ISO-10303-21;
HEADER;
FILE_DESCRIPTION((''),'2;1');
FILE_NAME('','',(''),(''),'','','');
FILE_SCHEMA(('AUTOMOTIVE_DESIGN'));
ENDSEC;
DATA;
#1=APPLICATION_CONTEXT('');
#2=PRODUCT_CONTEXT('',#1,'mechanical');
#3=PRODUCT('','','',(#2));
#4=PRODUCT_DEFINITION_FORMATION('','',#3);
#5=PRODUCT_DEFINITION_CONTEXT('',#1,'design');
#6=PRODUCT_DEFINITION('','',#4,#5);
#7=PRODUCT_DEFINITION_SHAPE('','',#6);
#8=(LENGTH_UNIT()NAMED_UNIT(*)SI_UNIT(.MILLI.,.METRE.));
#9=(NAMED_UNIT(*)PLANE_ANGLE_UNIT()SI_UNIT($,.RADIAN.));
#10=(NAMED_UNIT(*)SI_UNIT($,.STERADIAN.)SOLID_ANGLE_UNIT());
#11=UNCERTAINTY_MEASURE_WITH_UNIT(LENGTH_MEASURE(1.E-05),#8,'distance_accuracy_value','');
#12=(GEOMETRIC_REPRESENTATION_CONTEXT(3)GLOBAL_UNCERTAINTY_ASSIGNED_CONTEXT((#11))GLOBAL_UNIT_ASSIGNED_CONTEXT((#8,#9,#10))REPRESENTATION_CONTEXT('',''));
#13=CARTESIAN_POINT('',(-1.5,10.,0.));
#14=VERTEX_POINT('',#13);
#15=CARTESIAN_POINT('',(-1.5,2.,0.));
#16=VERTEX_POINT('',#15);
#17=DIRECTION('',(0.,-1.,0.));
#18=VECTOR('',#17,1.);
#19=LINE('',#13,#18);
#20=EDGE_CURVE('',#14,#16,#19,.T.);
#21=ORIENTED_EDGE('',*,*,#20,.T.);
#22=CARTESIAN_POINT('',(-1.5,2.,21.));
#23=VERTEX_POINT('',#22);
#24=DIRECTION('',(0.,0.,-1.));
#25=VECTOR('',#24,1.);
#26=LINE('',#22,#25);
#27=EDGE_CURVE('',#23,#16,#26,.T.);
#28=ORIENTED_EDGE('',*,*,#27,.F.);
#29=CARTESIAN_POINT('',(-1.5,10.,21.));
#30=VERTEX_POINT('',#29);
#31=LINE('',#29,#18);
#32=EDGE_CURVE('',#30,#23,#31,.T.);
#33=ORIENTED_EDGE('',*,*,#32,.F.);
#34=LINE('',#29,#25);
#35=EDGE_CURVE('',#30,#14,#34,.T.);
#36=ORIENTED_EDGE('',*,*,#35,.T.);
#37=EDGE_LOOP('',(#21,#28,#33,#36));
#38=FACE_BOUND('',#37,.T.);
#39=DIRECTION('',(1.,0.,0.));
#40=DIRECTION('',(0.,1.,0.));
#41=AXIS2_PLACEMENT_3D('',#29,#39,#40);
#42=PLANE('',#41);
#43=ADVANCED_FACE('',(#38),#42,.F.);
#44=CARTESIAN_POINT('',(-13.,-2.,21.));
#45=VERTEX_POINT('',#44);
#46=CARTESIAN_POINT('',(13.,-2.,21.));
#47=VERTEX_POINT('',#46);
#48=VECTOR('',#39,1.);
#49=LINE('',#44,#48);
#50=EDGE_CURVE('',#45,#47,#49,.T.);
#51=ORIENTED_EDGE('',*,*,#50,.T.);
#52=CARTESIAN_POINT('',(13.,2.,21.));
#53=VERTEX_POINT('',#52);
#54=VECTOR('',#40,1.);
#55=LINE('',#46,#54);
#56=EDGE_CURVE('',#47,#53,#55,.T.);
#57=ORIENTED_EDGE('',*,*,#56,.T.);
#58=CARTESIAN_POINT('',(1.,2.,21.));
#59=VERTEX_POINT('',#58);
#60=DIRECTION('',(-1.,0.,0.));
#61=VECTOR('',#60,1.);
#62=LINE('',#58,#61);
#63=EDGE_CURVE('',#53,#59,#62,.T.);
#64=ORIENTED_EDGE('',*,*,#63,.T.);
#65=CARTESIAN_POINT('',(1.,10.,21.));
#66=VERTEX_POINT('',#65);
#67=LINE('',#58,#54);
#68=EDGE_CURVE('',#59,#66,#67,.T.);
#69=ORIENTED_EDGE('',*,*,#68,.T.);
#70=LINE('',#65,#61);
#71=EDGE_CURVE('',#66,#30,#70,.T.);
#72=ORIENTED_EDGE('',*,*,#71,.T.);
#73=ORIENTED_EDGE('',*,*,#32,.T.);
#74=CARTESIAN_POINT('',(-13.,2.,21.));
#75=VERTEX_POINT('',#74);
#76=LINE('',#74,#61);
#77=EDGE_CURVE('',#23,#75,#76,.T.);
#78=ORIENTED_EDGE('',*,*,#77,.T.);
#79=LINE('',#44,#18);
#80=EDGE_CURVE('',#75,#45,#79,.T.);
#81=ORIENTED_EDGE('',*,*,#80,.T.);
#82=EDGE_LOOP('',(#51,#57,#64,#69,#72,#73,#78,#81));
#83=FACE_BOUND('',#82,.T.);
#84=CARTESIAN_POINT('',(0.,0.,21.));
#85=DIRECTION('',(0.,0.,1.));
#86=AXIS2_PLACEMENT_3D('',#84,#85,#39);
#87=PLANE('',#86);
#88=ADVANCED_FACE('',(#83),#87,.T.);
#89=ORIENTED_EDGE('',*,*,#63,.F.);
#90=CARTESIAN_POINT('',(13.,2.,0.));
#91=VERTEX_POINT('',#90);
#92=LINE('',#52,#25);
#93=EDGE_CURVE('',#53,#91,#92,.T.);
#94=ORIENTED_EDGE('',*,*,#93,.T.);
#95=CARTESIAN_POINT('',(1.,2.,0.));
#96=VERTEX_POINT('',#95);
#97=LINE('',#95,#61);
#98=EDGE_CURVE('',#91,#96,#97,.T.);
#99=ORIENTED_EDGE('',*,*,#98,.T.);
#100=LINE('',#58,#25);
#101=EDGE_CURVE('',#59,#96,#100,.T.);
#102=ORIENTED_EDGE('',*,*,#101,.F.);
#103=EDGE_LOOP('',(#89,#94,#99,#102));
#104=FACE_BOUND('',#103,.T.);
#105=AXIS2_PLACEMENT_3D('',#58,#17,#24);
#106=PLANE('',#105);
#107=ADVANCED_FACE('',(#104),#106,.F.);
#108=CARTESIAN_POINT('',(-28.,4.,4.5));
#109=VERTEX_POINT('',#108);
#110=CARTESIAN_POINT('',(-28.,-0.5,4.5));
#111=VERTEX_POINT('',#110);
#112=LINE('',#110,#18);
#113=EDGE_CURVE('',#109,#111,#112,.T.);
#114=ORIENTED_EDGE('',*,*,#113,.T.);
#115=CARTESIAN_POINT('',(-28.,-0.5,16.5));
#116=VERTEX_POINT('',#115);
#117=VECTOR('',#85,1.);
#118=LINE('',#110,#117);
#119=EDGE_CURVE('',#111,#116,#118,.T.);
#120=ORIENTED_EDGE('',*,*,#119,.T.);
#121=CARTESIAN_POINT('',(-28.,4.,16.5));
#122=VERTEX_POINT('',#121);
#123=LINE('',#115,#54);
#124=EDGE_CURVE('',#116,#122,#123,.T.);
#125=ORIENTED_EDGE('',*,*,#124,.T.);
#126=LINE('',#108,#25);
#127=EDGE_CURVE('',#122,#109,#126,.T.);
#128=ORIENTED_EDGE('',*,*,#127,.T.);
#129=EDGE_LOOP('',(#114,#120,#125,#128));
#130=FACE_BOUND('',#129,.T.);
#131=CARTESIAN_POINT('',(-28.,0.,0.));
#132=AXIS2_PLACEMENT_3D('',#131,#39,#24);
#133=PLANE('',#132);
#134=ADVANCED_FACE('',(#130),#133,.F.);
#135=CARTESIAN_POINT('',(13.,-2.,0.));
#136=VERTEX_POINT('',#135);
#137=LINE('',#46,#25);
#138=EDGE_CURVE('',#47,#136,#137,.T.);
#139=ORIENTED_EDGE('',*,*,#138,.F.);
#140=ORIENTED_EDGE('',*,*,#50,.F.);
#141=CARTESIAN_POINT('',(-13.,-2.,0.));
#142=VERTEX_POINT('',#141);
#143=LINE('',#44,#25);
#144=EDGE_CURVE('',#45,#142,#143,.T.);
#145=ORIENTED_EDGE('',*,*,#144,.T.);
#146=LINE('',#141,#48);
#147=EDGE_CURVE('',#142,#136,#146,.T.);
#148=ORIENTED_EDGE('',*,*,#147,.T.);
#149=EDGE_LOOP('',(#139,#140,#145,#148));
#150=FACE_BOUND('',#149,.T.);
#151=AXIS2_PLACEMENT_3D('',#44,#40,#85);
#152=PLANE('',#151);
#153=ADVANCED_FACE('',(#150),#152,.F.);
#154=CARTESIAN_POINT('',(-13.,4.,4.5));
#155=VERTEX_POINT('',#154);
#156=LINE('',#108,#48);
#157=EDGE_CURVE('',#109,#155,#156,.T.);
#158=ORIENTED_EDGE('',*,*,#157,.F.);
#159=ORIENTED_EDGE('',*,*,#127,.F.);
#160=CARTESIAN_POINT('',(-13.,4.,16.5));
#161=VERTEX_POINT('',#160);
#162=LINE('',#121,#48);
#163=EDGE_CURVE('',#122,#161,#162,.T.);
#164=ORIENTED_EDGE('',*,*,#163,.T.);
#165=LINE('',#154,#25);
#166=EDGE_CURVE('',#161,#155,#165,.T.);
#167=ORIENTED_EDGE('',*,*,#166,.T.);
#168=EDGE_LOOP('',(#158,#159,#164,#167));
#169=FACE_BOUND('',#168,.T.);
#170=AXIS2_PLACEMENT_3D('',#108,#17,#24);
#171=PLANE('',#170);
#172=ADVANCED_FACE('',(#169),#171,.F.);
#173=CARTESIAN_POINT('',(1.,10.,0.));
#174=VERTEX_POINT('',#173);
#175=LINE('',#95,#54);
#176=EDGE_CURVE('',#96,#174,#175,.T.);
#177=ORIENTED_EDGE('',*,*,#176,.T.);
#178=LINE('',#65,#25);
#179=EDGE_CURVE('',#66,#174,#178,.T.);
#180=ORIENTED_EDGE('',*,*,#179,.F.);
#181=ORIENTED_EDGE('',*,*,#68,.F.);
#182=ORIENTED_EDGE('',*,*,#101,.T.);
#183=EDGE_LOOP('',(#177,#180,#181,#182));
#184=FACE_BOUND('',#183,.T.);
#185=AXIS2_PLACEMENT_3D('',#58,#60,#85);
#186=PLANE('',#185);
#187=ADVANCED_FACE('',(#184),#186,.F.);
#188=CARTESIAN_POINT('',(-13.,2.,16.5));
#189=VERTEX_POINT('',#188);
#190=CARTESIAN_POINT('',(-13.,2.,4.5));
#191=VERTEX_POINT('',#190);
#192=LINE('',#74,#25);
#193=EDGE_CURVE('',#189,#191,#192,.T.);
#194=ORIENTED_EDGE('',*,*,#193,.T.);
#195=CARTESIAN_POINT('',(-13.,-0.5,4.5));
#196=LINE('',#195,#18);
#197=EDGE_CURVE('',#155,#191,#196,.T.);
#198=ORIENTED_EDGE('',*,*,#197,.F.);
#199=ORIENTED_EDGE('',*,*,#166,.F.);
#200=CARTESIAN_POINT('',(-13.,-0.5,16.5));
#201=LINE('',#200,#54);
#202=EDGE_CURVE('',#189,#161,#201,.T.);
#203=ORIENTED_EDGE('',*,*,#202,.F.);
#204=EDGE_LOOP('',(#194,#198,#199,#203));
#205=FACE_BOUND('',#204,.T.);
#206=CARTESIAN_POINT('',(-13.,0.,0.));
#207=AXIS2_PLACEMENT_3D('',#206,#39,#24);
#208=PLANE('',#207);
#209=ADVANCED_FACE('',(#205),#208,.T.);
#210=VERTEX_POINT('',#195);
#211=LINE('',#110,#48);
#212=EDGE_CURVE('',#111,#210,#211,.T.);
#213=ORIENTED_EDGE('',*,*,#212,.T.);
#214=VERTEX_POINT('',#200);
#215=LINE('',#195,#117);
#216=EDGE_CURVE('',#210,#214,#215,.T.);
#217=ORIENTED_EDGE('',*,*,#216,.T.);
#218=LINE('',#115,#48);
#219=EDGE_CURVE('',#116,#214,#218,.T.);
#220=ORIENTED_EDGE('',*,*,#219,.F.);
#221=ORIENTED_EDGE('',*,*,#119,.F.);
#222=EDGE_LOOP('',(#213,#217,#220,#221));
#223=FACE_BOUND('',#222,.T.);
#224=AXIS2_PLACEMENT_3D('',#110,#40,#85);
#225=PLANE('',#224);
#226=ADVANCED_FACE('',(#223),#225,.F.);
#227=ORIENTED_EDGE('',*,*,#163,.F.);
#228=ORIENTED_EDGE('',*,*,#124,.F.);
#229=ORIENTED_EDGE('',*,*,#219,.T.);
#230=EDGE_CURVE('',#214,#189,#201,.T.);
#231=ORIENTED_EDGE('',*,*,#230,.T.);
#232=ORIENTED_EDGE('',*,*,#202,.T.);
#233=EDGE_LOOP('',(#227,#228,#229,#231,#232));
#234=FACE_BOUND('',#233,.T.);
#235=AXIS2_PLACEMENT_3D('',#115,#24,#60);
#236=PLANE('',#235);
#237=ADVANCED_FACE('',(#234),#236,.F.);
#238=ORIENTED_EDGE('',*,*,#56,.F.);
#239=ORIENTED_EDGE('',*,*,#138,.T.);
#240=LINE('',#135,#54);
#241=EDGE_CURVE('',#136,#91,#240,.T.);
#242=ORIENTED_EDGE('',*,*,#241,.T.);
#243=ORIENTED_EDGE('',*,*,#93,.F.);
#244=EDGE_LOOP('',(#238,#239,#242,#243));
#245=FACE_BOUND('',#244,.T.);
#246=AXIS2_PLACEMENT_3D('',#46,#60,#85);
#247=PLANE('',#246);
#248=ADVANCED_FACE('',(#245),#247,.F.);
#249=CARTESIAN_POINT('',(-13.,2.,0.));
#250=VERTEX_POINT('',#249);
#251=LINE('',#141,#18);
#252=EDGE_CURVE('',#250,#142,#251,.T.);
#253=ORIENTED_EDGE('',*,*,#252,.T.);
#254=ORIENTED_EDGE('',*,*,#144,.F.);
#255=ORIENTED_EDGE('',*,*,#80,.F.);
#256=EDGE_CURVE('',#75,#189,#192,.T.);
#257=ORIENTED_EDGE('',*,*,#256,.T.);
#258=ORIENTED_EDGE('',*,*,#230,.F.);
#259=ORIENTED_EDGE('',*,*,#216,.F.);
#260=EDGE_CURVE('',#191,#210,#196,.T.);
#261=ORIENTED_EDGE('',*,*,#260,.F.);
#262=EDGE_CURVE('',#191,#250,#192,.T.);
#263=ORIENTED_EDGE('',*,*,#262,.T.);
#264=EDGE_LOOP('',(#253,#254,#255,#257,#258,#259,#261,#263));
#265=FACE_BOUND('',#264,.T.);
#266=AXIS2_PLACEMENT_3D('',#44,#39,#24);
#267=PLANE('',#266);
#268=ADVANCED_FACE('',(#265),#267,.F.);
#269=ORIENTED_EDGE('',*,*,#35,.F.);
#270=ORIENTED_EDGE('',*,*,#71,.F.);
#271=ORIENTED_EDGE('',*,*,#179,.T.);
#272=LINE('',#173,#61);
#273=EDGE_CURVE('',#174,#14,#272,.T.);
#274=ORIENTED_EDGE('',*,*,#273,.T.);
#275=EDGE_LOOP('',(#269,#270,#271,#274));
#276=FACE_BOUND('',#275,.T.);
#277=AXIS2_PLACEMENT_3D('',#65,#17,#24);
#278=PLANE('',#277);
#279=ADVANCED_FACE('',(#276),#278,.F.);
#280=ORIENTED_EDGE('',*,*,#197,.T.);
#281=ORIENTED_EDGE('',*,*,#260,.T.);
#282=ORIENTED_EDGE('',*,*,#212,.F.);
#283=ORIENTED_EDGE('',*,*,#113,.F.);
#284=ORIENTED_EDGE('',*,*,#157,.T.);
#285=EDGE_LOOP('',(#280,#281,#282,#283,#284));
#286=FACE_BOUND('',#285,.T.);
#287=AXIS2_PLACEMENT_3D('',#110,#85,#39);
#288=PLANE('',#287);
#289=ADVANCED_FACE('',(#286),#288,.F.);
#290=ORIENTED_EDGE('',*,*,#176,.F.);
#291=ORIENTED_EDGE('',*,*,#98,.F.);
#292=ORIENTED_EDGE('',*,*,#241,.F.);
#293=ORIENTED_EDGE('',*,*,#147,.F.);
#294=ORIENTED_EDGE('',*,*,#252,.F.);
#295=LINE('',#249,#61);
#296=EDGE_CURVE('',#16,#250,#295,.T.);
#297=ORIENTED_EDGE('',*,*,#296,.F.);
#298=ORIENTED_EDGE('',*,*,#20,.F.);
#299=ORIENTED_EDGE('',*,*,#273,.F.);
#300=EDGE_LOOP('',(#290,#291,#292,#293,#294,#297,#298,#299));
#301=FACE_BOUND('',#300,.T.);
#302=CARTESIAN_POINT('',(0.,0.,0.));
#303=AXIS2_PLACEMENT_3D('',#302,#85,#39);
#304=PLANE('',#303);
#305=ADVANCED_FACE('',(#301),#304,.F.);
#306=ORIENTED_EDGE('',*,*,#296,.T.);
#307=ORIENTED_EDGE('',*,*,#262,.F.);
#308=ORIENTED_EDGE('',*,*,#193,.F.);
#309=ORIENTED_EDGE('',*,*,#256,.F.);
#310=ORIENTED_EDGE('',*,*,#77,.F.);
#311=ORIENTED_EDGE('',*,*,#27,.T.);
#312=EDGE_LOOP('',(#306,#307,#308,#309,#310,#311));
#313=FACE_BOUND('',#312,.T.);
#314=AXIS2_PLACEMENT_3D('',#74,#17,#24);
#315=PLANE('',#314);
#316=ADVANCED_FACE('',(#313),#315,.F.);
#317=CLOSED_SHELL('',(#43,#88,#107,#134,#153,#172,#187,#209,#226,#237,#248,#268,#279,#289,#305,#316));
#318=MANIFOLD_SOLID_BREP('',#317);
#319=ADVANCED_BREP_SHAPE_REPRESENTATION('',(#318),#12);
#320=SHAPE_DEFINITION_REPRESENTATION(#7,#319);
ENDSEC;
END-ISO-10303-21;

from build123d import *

# Parameters (mm, degrees)
BOSS_EXTRUDE2_DEPTH = 21
SKETCH2_W           = 12
SKETCH2_H           = 4.5
BOSS_EXTRUDE3_DEPTH = 15


with BuildPart() as part:
    # Sketch1 → Boss-Extrude2 (new body)
    with BuildSketch(Plane.XY):
        Polygon((1, 2), (1, 10), (-1.5, 10), (-1.5, 2), (-13, 2), (-13, -2), (13, -2), (13, 2), align=None)
    extrude(amount=BOSS_EXTRUDE2_DEPTH)

    # Sketch2 → Boss-Extrude3 (add)
    with BuildSketch(Plane.ZY.offset(13)):
        with Locations((10.5, 1.75)):
            Rectangle(SKETCH2_W, SKETCH2_H)
    extrude(amount=BOSS_EXTRUDE3_DEPTH)


solid = part.part
